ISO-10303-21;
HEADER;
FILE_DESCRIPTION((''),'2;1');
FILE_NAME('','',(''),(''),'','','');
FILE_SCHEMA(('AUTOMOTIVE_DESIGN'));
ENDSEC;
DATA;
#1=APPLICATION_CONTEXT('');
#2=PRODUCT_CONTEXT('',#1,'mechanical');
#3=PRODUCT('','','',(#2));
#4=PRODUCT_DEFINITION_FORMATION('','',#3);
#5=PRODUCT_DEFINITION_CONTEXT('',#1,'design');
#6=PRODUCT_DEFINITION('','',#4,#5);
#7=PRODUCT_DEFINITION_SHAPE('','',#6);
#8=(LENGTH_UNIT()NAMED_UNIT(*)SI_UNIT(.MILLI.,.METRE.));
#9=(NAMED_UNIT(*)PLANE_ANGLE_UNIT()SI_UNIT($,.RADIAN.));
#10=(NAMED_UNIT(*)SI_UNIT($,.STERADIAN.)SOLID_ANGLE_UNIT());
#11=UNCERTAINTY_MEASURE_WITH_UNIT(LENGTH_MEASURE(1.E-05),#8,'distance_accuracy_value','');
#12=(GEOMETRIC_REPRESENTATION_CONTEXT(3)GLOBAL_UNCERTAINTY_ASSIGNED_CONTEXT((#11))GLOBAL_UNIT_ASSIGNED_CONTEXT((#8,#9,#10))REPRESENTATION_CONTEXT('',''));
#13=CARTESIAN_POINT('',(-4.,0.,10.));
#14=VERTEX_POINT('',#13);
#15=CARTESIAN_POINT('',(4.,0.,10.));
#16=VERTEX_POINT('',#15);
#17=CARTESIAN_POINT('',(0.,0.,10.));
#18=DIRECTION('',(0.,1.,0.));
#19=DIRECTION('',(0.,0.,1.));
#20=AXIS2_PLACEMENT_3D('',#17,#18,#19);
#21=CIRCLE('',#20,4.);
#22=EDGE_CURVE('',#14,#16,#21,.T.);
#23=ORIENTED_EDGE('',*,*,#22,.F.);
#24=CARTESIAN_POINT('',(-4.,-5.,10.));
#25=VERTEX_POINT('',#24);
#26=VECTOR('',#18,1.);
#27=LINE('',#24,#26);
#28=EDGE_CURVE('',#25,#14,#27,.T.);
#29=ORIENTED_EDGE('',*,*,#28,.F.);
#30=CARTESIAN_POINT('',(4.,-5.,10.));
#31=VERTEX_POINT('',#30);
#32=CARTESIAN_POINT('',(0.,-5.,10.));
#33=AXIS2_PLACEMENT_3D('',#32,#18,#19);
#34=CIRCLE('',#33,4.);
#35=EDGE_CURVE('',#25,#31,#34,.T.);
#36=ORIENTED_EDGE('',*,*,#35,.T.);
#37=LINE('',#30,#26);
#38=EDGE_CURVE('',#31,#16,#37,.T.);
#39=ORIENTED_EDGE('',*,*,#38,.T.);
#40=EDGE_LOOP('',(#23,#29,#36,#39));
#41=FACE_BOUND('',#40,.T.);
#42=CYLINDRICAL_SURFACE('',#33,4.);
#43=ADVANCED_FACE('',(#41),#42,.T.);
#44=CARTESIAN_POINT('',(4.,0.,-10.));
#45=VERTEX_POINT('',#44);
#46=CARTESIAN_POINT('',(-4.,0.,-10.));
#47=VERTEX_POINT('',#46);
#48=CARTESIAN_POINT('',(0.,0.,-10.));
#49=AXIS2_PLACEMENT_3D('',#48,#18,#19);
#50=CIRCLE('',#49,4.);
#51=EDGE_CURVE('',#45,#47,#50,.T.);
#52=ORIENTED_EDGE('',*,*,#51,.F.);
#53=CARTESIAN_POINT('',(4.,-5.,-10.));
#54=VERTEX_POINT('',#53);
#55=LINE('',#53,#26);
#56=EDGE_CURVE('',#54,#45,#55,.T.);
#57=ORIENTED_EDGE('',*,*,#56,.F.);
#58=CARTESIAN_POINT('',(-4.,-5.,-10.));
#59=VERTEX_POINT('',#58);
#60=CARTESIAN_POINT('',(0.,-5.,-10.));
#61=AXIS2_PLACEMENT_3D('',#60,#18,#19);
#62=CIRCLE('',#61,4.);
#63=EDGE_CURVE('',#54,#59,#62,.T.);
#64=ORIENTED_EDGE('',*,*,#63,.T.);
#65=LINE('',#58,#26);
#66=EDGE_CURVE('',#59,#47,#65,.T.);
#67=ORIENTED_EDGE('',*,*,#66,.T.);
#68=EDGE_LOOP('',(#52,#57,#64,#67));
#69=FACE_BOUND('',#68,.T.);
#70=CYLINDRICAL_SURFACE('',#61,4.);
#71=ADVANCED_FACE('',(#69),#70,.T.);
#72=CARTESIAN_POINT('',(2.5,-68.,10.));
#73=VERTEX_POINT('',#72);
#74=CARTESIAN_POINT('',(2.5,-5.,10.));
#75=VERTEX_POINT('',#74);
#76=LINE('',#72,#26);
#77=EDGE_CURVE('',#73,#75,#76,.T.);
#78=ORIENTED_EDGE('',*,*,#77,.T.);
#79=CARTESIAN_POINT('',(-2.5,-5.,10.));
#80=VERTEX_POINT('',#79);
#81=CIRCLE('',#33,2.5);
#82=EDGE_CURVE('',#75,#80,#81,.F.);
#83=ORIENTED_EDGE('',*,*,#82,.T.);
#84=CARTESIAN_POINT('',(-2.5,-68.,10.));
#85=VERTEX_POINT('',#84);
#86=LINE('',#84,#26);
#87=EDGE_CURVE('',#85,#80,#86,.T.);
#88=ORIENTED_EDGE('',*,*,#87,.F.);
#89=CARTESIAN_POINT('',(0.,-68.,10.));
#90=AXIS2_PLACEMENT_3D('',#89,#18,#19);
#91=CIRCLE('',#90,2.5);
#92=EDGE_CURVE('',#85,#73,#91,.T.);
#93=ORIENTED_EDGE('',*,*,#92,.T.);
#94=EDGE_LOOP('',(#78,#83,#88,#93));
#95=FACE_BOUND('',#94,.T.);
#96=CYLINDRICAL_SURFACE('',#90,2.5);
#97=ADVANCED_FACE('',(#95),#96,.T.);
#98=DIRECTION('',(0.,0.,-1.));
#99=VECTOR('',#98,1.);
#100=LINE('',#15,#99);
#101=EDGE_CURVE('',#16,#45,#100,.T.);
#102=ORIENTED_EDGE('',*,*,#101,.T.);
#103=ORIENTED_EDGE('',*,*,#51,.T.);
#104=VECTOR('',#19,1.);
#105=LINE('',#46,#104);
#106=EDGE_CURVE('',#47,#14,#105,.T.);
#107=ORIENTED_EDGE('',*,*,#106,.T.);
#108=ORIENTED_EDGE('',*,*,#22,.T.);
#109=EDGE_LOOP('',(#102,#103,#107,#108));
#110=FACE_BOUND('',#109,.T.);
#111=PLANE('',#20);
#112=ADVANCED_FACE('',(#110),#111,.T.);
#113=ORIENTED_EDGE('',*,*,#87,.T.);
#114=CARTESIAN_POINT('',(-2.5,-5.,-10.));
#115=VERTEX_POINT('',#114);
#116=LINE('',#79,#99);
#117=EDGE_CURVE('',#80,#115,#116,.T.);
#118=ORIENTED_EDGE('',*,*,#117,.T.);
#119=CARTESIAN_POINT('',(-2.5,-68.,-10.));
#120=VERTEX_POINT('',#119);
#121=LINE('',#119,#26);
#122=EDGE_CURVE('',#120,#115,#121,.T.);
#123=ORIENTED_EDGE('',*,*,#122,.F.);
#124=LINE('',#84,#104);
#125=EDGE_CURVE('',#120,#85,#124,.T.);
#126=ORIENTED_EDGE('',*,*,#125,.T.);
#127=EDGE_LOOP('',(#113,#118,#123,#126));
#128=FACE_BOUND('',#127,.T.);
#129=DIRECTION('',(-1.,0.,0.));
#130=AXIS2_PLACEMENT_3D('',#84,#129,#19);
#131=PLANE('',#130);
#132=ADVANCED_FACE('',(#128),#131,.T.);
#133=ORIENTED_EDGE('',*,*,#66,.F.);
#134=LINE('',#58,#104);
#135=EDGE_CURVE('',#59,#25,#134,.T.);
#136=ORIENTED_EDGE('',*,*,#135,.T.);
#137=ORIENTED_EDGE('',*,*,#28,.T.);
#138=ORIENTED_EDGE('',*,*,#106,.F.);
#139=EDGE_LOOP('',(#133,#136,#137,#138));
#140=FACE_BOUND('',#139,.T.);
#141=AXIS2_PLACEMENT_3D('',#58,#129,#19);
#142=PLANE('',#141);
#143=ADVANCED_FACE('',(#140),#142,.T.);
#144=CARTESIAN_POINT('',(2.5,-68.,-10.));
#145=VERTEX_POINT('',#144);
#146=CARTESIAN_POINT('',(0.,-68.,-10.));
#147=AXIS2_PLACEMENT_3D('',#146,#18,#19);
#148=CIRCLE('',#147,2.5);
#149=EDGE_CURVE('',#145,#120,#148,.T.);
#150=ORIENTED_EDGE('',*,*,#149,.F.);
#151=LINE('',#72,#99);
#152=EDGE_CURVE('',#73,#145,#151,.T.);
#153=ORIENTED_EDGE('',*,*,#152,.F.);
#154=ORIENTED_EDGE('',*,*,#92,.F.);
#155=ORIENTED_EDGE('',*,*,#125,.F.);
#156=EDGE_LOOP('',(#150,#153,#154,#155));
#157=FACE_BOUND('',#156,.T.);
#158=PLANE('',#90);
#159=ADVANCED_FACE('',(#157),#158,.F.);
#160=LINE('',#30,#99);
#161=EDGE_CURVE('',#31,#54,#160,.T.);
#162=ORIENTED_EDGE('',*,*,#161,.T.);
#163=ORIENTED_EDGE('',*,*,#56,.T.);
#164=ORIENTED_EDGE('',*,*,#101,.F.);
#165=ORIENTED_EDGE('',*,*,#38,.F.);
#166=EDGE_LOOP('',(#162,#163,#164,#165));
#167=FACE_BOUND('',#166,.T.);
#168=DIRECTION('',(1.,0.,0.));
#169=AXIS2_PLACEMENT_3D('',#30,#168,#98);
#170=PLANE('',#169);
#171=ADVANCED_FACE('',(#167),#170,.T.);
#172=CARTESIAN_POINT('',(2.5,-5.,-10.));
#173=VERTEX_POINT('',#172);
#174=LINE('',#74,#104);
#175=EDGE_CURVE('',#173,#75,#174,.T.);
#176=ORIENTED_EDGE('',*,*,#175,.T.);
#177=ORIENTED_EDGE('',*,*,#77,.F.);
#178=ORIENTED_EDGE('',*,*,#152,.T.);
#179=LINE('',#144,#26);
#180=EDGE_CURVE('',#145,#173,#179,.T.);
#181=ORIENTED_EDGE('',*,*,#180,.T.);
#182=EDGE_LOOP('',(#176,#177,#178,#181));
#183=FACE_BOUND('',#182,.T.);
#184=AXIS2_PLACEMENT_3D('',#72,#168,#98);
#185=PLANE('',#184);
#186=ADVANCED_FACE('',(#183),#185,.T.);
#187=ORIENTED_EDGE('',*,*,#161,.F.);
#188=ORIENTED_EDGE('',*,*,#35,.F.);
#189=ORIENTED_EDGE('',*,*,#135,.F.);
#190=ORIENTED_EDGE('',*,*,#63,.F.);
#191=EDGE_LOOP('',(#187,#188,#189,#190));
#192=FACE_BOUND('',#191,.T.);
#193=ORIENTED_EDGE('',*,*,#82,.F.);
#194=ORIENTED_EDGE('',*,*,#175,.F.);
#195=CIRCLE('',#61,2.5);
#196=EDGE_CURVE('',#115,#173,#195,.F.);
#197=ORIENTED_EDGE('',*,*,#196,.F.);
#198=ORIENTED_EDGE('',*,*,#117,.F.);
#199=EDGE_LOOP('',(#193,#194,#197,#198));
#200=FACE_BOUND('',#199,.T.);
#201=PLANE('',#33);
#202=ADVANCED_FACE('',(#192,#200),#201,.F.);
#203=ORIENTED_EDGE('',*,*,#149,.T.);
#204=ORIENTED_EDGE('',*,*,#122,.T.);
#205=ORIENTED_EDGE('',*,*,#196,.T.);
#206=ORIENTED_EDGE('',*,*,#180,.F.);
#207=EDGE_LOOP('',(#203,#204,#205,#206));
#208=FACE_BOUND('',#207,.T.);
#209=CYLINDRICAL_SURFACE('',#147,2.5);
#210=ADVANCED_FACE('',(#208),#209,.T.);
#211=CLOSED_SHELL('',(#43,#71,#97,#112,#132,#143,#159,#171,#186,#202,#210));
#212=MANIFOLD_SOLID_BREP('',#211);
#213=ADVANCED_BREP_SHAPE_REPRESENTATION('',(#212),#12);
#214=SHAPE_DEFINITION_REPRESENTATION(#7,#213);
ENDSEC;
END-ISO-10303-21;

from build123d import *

# Parameters (mm, degrees)
BOSS_EXTRUDE1_DEPTH = 68
BOSS_EXTRUDE2_DEPTH = 5


with BuildPart() as part:
    # Sketch1 → Boss-Extrude1 (new body)
    with BuildSketch(Plane(origin=(0, 0, 0), x_dir=(1, 0, 0), z_dir=(0, 1, 0))):
        with BuildLine():
            Line((-2.5, -10), (-2.5, 10))
            ThreePointArc((-2.5, 10), (0, 12.5), (2.5, 10))
            Line((2.5, 10), (2.5, -10))
            ThreePointArc((2.5, -10), (0, -12.5), (-2.5, -10))
        make_face()
    extrude(amount=-BOSS_EXTRUDE1_DEPTH)

    # Sketch2 → Boss-Extrude2 (add)
    with BuildSketch(Plane(origin=(0, 0, 0), x_dir=(1, 0, 0), z_dir=(0, 1, 0))):
        with BuildLine():
            Line((4, -10), (4, 10))
            ThreePointArc((4, 10), (0, 14), (-4, 10))
            Line((-4, 10), (-4, -10))
            ThreePointArc((-4, -10), (0, -14), (4, -10))
        make_face()
    extrude(amount=-BOSS_EXTRUDE2_DEPTH)


solid = part.part
